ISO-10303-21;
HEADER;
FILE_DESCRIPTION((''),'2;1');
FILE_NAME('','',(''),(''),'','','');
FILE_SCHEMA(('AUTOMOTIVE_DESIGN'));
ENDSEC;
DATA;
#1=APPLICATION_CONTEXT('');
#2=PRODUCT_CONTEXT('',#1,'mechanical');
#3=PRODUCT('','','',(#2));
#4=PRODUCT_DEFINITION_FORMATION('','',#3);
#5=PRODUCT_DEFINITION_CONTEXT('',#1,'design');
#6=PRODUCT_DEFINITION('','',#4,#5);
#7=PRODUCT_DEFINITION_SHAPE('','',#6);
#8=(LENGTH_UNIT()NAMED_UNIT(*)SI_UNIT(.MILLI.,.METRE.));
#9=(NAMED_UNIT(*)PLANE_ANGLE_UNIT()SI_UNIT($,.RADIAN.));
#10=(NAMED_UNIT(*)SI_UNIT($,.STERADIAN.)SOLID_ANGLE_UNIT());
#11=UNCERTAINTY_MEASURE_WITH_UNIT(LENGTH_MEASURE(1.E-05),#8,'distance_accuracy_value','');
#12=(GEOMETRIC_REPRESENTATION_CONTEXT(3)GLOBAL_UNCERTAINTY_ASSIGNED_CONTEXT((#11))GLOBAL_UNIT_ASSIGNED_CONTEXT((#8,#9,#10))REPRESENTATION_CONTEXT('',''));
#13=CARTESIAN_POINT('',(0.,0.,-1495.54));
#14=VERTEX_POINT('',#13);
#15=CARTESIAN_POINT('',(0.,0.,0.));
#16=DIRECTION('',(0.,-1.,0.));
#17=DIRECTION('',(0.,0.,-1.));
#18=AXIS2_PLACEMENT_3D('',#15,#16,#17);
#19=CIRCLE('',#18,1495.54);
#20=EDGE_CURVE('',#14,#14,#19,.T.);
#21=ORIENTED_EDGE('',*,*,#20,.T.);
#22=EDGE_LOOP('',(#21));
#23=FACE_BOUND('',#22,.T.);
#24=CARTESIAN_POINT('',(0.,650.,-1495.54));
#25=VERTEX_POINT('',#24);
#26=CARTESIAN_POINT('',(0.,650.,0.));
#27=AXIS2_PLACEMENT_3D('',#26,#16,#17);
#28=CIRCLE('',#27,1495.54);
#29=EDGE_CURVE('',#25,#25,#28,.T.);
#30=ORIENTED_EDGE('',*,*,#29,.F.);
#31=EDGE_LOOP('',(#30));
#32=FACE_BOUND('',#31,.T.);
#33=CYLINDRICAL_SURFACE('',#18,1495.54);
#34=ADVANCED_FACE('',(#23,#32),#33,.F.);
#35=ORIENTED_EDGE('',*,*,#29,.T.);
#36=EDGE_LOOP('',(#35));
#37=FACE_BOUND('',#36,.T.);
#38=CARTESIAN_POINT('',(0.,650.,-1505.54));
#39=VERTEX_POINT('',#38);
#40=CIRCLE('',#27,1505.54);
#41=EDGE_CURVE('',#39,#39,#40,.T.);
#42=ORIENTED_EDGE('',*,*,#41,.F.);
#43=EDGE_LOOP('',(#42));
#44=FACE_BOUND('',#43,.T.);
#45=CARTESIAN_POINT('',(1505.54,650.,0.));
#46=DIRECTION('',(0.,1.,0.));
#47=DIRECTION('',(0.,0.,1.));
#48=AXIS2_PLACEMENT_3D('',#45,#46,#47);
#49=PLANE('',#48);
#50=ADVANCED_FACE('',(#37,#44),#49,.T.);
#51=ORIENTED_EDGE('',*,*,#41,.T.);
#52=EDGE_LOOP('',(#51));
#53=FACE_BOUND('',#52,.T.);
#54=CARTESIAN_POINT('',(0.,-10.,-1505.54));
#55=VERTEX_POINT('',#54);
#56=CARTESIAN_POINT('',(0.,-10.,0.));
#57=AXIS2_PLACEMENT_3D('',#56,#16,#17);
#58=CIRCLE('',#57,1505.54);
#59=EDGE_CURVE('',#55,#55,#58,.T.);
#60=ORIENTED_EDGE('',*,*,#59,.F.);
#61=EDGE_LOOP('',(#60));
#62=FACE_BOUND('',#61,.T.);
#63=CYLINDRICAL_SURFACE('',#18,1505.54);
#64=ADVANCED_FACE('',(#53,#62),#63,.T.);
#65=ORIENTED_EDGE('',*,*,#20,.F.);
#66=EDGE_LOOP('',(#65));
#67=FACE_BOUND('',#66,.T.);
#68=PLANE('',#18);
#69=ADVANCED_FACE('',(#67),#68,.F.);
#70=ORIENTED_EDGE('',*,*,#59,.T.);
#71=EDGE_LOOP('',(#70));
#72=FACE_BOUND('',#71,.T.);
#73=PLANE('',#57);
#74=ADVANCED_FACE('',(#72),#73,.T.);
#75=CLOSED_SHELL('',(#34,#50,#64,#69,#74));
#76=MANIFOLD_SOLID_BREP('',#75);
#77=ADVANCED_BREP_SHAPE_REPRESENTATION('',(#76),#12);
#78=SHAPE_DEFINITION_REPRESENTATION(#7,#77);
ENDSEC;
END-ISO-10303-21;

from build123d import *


with BuildPart() as part:
    # Sketch1 → Revolve1 (revolve)
    with BuildSketch(Plane.XY, mode=Mode.PRIVATE) as revolve1_sk:
        Polygon((0, 0), (1495.54, 0), (1495.54, 650), (1505.54, 650), (1505.54, -10), (0, -10), align=None)
    revolve(revolve1_sk.sketch.rotate(Axis((0, 0, 0), (0, 1, 0)), 90), axis=Axis((0, 0, 0), (0, 1, 0)))


solid = part.part
